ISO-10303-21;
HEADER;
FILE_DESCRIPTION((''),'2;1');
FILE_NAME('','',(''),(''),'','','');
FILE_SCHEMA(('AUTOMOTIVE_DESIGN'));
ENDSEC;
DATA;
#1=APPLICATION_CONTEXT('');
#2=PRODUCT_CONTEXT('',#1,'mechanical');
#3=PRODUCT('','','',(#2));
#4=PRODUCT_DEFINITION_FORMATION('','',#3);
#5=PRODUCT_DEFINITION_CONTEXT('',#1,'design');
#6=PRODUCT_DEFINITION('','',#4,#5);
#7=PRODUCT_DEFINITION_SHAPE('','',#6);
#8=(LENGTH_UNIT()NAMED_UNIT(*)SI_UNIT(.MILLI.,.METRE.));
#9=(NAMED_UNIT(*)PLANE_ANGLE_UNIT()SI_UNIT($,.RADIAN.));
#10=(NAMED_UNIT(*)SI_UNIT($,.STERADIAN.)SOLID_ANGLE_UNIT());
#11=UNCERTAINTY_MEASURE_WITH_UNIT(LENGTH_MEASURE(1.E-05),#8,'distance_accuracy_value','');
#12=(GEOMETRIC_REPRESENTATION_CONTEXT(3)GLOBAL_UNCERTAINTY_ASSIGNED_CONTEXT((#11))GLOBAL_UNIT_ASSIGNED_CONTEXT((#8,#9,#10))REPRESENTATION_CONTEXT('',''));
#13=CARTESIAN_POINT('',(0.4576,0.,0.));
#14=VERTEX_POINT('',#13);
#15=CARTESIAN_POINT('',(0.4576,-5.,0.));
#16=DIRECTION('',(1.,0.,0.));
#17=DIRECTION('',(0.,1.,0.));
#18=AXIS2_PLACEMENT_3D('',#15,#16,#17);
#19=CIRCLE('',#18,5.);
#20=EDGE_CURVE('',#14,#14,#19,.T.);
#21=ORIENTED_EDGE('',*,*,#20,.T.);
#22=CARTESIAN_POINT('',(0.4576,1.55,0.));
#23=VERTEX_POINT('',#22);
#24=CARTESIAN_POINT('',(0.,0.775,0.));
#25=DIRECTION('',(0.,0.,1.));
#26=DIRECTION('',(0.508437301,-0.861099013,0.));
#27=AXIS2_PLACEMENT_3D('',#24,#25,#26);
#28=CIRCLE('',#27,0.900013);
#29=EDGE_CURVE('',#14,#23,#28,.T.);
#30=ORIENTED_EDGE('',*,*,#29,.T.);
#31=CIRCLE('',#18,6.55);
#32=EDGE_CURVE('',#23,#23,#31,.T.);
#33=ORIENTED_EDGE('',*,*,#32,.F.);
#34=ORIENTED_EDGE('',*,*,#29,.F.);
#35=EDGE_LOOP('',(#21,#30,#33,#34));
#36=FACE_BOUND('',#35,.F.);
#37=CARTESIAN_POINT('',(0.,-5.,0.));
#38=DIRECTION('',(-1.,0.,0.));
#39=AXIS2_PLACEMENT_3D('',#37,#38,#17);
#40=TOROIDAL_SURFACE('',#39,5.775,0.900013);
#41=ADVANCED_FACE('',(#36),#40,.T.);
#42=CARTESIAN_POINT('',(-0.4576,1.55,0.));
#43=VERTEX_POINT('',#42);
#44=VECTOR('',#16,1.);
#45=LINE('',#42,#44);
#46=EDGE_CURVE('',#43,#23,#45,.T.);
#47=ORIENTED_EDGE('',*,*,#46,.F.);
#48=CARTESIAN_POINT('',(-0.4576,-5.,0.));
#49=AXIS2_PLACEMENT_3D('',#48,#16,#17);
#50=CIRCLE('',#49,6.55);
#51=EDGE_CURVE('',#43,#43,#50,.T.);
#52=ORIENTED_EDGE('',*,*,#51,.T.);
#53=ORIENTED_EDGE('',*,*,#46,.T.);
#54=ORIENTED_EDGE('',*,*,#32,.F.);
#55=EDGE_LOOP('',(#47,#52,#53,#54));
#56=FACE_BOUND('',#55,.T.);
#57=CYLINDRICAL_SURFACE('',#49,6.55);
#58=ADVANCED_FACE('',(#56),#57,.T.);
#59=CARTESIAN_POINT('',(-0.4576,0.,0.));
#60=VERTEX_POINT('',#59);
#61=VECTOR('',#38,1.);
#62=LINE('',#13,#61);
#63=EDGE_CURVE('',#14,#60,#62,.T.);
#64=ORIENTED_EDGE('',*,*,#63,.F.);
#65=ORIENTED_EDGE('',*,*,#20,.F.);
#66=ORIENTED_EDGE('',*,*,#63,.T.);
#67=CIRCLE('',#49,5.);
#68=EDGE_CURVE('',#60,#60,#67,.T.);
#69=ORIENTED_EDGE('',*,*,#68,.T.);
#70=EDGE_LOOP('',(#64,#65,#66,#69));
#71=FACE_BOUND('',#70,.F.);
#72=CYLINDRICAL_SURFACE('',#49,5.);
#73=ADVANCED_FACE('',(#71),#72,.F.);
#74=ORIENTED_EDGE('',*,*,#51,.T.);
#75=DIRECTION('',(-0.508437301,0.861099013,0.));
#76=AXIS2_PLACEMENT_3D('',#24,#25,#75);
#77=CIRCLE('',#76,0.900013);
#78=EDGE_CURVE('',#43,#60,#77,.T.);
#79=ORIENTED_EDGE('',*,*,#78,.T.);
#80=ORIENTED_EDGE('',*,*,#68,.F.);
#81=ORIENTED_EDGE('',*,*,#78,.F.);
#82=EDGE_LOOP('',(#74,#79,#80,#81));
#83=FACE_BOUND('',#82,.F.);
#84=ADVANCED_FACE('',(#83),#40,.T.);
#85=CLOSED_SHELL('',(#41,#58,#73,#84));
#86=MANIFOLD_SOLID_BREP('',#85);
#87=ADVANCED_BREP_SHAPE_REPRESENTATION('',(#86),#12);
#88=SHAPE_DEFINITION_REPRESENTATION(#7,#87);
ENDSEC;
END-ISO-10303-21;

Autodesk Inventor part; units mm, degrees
ref_plane "YZ Plane" through (0, 0, 0) normal (1, 0, 0) x (0, 1, 0)
ref_plane "XZ Plane" through (0, 0, 0) normal (0, 1, 0) x (-1, 0, 0)
ref_plane "XY Plane" through (0, 0, 0) normal (0, 0, 1) x (1, 0, 0)
sketch "Sketch1" plane through (0, 0, 0) normal (0, 0, 1) x (1, 0, 0)
  line L0 (-0.0113, 0) -> (-0.0113, 0) construction
  line L1 (-0.4576, 1.55) -> (0.4576, 1.55)
  line L2 (-0.4576, 0) -> (0.4576, 0)
  arc A0 (-0.4576, 1.55) -> (-0.4576, 0) centre (0, 0.775) ccw
  line L3 (-4, -5) -> (6.0335, -5)
  line L4 (-6.0067, 0) -> (8.0403, 0) projected
  line L5 (0, 4.64) -> (0, -12.44) projected
  arc A1 (0.4576, 0) -> (0.4576, 1.55) centre (0, 0.775) ccw
  dimension "d0" = 10
  dimension "d1" = 0.775
  dimension "d2" = 0.9
  dimension "d3" = 0.775
  dimension "d4" = 1.55
revolve "Body" add sketch "Sketch1" angle 360 about axis through (-4, -5, 0) along (1, 0, 0)
equation "\"d0\" = NND"
equation "\"d1\" = -0.25 * NND + 0.25 * NDOR"
equation "\"d2\" = 0.5 * QDM"
equation "\"d3\" = -0.25 * NND + 0.25 * NDOR"
equation "\"d4\" = -0.5 * NND + 0.5 * NDOR"
equation "\"QDM\" = 1.8"
equation "\"NND\" = 10"
equation "\"NDOR\" = 13.1"
equation "\"R1\" = 0.3"
equation "\"R2\" = 0.2"
equation "\"NB1\" = 2.2"
equation "\"BD\" = 10.12"
equation "\"NTOR\" = -0.5 * NND + 0.5 * NDOR"
properties part number "ISO 3601-1 - A 0100 G" material "Rubber"
